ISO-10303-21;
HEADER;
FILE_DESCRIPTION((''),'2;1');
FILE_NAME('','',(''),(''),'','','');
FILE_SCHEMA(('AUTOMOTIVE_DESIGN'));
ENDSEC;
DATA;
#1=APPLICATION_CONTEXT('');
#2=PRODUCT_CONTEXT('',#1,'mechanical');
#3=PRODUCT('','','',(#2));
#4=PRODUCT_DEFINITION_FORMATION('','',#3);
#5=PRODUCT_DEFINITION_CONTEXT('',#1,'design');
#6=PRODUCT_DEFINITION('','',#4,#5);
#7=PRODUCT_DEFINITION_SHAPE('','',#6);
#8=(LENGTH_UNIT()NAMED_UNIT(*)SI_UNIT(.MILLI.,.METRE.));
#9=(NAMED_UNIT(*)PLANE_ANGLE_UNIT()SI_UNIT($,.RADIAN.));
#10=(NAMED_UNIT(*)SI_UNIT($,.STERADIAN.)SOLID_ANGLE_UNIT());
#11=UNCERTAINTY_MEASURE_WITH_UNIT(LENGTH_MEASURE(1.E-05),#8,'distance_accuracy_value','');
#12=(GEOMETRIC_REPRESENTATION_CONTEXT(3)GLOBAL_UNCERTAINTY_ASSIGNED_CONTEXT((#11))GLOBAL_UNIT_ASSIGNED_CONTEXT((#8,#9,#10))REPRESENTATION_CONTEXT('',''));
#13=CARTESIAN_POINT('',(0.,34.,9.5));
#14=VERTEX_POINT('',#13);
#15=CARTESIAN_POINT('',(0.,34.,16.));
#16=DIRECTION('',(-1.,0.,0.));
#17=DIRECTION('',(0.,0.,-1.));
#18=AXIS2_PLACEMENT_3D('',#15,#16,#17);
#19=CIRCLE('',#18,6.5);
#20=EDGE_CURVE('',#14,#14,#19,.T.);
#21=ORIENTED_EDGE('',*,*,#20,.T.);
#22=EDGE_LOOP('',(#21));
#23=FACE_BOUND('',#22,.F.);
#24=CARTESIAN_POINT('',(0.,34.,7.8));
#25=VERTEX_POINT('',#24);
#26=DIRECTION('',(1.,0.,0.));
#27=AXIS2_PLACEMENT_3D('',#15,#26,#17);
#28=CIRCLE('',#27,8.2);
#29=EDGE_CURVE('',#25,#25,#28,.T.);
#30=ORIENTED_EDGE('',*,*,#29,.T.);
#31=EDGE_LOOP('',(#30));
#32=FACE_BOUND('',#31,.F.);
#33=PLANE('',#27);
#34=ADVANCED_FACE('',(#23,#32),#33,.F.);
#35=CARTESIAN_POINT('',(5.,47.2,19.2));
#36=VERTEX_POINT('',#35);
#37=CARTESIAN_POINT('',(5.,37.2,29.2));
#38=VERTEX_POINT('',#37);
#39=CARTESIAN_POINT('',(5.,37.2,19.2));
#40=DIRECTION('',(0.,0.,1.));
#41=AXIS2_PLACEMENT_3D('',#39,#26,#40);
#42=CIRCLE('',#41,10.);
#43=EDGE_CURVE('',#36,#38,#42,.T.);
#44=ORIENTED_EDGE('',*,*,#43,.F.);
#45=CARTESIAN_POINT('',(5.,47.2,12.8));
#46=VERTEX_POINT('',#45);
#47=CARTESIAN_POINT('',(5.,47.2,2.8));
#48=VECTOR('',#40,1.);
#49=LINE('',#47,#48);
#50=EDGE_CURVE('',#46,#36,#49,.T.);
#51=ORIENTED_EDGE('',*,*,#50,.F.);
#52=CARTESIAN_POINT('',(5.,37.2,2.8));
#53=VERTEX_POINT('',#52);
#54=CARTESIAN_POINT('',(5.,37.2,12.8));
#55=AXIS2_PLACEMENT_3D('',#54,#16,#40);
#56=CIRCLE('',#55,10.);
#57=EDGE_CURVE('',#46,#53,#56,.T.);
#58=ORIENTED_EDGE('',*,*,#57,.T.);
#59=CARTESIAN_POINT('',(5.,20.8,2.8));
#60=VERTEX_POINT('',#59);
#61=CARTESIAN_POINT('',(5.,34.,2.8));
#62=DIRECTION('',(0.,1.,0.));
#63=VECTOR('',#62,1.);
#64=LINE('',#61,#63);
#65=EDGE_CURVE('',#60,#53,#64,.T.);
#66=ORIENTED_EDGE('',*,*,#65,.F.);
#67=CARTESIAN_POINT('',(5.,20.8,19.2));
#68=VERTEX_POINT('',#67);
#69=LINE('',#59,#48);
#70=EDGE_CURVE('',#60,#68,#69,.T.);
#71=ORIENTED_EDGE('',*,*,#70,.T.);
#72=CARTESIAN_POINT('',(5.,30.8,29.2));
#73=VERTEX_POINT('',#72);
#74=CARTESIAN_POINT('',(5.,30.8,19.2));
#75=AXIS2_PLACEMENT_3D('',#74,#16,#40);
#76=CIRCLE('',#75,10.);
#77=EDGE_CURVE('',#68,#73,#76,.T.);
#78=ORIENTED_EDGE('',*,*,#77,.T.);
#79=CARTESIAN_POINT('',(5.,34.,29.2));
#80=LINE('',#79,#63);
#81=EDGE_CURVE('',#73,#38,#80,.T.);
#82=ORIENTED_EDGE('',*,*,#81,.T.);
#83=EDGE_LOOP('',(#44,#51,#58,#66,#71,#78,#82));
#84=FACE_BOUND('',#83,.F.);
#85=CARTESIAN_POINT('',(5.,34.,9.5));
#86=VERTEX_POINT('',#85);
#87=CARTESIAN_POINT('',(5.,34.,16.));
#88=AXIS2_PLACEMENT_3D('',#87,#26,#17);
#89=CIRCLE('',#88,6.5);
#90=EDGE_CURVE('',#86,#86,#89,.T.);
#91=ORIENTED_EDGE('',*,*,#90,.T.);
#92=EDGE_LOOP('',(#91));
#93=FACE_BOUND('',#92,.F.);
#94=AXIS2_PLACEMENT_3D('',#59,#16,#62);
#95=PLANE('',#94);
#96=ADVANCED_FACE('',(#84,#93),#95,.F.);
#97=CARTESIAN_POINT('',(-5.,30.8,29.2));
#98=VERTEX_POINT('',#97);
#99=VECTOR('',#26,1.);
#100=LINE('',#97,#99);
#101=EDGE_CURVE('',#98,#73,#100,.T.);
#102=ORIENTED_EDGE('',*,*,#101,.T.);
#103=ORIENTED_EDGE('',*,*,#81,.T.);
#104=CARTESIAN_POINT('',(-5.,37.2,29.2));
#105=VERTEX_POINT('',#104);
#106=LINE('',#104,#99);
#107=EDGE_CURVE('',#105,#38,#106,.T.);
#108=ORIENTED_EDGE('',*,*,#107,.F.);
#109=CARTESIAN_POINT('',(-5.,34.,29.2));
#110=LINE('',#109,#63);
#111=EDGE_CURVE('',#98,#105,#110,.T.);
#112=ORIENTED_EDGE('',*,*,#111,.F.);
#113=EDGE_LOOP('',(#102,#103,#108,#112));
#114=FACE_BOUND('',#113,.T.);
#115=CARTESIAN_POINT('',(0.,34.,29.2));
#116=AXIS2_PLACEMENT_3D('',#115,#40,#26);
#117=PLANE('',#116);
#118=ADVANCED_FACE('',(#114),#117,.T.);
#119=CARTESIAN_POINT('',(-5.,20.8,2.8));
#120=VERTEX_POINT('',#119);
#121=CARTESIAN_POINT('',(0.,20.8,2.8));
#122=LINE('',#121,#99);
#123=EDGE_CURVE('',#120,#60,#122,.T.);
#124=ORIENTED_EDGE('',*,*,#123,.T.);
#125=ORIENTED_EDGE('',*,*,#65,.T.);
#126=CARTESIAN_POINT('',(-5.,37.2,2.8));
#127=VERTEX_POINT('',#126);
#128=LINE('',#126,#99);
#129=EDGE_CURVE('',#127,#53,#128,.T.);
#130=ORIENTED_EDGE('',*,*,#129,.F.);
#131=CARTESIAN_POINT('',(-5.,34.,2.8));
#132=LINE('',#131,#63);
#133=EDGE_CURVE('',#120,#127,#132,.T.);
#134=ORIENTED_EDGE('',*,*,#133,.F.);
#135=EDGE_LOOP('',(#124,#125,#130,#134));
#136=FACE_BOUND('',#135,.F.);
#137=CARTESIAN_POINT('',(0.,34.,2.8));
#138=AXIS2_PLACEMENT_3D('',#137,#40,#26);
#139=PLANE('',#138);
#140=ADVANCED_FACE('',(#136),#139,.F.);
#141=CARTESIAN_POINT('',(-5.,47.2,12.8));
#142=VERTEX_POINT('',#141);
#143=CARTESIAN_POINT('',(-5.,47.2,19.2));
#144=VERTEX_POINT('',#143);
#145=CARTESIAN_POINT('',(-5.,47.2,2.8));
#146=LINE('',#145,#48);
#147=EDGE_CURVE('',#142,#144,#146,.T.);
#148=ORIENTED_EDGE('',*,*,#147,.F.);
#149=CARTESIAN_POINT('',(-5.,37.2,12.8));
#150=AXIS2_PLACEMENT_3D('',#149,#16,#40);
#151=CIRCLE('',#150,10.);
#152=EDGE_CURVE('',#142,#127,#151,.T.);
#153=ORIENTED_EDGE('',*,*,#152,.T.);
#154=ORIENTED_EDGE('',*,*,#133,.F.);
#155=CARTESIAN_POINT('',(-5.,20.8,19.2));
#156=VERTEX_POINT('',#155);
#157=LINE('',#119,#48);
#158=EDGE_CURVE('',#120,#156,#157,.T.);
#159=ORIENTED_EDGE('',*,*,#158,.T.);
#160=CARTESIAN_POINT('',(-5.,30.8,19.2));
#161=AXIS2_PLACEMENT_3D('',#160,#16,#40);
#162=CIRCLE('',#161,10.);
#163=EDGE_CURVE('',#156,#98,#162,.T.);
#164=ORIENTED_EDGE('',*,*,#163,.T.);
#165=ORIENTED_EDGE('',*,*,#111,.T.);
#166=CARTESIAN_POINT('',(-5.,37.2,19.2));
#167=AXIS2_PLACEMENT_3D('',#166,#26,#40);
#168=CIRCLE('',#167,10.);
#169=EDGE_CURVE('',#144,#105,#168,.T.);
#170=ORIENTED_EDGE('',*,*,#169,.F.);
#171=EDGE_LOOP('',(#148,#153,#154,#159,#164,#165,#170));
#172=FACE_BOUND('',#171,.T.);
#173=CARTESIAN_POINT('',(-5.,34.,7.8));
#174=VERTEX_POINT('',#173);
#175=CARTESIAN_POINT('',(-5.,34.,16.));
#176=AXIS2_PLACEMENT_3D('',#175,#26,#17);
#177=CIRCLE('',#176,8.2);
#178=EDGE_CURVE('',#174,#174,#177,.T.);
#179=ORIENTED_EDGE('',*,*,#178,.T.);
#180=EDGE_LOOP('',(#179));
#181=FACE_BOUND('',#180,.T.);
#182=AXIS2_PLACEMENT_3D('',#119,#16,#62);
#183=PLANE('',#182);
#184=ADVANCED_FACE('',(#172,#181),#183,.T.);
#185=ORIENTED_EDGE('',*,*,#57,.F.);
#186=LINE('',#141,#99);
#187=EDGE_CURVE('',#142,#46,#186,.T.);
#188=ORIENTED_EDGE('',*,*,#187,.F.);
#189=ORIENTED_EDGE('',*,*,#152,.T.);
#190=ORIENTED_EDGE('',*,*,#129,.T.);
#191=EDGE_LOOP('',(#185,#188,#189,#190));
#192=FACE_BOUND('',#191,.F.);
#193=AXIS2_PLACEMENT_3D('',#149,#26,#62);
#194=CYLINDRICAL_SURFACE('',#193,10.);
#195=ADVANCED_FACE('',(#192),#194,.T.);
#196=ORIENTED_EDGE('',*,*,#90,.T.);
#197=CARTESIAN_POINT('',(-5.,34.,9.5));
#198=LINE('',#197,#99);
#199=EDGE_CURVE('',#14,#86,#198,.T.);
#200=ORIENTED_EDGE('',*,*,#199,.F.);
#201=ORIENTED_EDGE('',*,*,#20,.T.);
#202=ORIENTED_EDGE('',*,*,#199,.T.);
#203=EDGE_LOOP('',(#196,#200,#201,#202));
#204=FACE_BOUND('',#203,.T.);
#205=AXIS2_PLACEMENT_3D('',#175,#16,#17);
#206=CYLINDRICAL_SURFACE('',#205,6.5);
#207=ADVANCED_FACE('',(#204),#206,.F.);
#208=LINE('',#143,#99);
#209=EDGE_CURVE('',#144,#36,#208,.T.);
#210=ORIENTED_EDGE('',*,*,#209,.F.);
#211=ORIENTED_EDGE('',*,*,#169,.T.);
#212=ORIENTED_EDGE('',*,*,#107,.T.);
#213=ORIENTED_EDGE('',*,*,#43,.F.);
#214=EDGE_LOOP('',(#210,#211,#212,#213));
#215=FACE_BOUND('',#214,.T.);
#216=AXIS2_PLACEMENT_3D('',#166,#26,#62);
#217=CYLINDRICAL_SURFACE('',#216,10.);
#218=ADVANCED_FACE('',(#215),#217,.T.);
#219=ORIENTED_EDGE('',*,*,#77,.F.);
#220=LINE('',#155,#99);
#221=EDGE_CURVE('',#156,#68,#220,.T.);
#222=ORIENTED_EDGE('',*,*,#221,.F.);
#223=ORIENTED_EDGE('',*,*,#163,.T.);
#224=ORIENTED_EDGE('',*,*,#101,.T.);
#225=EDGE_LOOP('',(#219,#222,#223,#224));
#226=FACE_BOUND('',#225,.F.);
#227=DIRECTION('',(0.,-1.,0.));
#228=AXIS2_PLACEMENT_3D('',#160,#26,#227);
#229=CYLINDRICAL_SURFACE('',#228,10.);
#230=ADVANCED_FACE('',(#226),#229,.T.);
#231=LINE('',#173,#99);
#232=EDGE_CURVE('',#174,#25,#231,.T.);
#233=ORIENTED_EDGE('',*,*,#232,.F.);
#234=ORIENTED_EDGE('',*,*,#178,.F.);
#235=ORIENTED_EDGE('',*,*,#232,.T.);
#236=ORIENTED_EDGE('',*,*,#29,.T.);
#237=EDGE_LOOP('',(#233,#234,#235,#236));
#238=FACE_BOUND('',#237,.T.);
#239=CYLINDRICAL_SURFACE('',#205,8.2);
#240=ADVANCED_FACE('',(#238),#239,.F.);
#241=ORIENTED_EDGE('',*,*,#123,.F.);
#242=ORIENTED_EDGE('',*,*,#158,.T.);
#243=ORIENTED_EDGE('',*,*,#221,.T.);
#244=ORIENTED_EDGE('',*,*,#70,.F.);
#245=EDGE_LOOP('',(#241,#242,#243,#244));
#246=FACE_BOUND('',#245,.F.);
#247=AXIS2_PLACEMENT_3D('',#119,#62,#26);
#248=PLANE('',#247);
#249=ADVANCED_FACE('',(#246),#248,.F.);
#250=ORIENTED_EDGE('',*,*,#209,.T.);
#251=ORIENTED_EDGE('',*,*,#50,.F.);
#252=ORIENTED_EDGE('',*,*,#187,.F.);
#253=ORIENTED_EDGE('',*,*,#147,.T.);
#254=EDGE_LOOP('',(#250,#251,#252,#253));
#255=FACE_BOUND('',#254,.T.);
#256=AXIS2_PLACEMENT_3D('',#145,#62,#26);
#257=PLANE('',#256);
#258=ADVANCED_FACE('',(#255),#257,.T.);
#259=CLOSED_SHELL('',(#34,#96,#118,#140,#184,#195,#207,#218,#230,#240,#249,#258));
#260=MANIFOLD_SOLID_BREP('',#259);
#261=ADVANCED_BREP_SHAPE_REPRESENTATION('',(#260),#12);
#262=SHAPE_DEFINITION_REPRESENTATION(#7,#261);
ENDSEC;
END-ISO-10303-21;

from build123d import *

# Parameters (mm, degrees)
CYLINDER005_R     = 6.5
CYLINDER005_DEPTH = 10
CYLINDER004_R     = 8.2
CYLINDER004_DEPTH = 5
BOX_W             = 10
BOX_H             = 26.4
BOX_DEPTH         = 26.4
FILLET_R          = 10


with BuildPart() as bring_holder_hole:
    # Cylinder005 → Cylinder005 (new body)
    with BuildSketch(Plane(origin=(0, 0, 0), x_dir=(0, 0, -1), z_dir=(1, 0, 0))):
        Circle(CYLINDER005_R)
    extrude(amount=CYLINDER005_DEPTH)


with BuildPart() as bring_holder_extract:
    # Cylinder004 → Cylinder004 (new body)
    with BuildSketch(Plane(origin=(0, 0, 0), x_dir=(0, 0, -1), z_dir=(1, 0, 0))):
        Circle(CYLINDER004_R)
    extrude(amount=CYLINDER004_DEPTH)

    # Fusion001: union bring holder hole
    add(bring_holder_hole.part)


with BuildPart() as bring_holder_cut_clone:
    # Box → Box (new body)
    with BuildSketch(Plane(origin=(0, -13.2, -13.2), x_dir=(1, 0, 0), z_dir=(0, 0, 1))):
        with Locations((5, 13.2)):
            Rectangle(BOX_W, BOX_H)
    extrude(amount=BOX_DEPTH)

    # Fillet
    fillet_edges = [bring_holder_cut_clone.edges().sort_by_distance(p)[0] for p in [
        (5, -13.2, 13.2),
        (5, 13.2, -13.2),
        (5, 13.2, 13.2),
    ]]
    fillet(fillet_edges, radius=FILLET_R)

    # Cut023015003: cut bring holder extract
    add(bring_holder_extract.part, mode=Mode.SUBTRACT)


with BuildPart() as bring_holder_cut_clone_1:
    # Cut023015003 placement: moved
    add(bring_holder_cut_clone.part.moved(Location((-5, 26, 13.2))))


with BuildPart() as bring_holder_cut_clone_2:
    # Clone002 placement: moved
    add(bring_holder_cut_clone_1.part.moved(Location((0, 0, -6.2))))


with BuildPart() as bring_holder_cut_clone_3:
    # Body003 placement: moved
    add(bring_holder_cut_clone_2.part.moved(Location((0, 8, 9))))


solid = bring_holder_cut_clone_3.part
